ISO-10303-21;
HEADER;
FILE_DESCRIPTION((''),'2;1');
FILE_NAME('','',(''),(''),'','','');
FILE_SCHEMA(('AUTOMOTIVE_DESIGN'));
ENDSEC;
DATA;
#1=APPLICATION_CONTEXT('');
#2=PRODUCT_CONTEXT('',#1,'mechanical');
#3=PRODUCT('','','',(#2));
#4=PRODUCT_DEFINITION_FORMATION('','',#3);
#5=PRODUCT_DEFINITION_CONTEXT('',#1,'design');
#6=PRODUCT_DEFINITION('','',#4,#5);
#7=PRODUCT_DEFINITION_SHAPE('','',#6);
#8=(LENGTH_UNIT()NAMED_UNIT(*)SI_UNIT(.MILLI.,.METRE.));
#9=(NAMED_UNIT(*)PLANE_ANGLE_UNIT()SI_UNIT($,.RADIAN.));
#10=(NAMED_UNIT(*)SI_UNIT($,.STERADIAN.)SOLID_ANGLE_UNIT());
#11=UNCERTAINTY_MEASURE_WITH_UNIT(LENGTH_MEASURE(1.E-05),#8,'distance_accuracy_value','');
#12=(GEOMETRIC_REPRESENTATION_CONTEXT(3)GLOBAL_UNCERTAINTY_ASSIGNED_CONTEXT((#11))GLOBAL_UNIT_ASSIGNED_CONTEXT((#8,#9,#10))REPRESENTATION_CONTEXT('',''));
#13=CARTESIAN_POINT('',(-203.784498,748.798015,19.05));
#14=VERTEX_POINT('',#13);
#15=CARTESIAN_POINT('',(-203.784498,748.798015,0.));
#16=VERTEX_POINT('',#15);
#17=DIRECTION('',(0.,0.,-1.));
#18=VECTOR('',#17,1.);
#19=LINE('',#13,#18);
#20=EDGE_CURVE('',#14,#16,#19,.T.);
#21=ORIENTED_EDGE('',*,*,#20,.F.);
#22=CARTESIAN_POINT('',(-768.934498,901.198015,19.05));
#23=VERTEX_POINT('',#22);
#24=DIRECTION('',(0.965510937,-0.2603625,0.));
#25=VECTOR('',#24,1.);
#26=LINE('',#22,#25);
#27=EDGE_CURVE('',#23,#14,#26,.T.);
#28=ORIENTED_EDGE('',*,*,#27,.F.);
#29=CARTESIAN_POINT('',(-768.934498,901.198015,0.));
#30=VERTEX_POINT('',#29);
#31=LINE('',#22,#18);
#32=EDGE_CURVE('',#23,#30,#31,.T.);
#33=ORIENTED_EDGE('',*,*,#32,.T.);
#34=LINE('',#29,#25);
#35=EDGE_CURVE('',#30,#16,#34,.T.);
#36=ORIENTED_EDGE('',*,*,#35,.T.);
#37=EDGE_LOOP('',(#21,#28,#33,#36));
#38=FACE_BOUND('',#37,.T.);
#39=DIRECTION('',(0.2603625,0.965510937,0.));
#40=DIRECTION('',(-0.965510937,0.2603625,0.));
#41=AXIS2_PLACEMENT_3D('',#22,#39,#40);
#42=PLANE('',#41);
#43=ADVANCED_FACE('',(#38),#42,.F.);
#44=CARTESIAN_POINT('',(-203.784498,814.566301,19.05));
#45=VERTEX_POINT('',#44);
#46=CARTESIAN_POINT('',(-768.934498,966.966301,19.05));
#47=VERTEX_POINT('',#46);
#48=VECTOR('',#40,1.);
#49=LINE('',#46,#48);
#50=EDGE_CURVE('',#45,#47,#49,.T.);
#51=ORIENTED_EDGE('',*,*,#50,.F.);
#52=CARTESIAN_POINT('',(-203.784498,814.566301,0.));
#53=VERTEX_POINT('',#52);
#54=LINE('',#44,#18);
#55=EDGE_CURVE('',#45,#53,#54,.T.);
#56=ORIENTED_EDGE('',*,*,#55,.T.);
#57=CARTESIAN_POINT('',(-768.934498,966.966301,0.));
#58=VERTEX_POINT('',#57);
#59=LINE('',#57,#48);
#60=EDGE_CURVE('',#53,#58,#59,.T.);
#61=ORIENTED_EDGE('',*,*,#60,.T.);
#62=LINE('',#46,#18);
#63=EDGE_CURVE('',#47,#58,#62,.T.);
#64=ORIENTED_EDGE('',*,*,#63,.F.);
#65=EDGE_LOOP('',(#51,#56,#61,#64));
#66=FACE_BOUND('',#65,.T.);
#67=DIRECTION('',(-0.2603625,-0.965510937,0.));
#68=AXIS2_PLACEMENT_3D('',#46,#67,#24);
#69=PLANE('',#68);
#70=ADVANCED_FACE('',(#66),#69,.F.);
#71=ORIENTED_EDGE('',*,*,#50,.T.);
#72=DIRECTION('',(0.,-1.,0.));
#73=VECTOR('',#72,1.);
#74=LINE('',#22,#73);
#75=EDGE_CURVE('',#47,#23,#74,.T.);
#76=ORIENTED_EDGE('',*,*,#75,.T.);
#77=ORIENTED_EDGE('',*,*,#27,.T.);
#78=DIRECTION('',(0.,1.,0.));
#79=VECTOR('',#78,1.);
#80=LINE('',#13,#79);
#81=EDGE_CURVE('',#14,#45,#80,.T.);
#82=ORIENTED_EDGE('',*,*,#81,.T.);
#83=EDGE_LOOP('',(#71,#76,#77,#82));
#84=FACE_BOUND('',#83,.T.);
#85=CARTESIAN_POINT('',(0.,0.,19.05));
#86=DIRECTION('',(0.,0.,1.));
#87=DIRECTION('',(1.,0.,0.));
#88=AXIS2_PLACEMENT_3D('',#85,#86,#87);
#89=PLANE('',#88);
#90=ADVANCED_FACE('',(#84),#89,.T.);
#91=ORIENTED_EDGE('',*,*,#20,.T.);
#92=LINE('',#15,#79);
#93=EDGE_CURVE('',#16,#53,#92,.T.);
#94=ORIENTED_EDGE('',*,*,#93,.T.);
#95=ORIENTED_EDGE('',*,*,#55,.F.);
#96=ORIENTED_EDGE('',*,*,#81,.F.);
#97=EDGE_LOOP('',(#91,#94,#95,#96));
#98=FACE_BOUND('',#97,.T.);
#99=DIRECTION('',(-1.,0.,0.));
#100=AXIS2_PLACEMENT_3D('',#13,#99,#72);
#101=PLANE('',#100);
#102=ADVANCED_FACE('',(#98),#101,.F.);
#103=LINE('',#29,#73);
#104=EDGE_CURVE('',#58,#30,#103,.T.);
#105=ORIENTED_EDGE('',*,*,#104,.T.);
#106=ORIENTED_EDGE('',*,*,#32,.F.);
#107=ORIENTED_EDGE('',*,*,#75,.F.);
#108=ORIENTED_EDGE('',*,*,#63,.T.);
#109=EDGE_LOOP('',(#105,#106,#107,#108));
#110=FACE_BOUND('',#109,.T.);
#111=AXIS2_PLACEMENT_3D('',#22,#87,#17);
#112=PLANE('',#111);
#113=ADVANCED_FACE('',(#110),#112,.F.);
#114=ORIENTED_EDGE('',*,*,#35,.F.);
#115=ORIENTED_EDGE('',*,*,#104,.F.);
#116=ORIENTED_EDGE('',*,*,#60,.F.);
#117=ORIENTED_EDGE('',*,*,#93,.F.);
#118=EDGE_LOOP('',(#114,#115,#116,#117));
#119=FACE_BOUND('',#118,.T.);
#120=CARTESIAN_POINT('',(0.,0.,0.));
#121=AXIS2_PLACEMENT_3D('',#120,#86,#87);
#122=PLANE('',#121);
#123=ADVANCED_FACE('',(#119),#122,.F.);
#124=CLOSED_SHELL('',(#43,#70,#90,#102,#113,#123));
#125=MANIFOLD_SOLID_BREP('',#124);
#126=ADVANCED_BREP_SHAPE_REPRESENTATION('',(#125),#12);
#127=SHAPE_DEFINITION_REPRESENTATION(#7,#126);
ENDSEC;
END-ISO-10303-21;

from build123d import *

# Parameters (mm, degrees)
BOSS_EXTRUDE1_DEPTH = 19.05


with BuildPart() as part:
    # Sketch2 → Boss-Extrude1 (new body)
    with BuildSketch(Plane.XY):
        Polygon((-768.93449825, 901.198014599), (-768.93449825, 966.966301204), (-203.78449825, 814.566301204), (-203.78449825, 748.798014599), align=None)
    extrude(amount=BOSS_EXTRUDE1_DEPTH)


solid = part.part
